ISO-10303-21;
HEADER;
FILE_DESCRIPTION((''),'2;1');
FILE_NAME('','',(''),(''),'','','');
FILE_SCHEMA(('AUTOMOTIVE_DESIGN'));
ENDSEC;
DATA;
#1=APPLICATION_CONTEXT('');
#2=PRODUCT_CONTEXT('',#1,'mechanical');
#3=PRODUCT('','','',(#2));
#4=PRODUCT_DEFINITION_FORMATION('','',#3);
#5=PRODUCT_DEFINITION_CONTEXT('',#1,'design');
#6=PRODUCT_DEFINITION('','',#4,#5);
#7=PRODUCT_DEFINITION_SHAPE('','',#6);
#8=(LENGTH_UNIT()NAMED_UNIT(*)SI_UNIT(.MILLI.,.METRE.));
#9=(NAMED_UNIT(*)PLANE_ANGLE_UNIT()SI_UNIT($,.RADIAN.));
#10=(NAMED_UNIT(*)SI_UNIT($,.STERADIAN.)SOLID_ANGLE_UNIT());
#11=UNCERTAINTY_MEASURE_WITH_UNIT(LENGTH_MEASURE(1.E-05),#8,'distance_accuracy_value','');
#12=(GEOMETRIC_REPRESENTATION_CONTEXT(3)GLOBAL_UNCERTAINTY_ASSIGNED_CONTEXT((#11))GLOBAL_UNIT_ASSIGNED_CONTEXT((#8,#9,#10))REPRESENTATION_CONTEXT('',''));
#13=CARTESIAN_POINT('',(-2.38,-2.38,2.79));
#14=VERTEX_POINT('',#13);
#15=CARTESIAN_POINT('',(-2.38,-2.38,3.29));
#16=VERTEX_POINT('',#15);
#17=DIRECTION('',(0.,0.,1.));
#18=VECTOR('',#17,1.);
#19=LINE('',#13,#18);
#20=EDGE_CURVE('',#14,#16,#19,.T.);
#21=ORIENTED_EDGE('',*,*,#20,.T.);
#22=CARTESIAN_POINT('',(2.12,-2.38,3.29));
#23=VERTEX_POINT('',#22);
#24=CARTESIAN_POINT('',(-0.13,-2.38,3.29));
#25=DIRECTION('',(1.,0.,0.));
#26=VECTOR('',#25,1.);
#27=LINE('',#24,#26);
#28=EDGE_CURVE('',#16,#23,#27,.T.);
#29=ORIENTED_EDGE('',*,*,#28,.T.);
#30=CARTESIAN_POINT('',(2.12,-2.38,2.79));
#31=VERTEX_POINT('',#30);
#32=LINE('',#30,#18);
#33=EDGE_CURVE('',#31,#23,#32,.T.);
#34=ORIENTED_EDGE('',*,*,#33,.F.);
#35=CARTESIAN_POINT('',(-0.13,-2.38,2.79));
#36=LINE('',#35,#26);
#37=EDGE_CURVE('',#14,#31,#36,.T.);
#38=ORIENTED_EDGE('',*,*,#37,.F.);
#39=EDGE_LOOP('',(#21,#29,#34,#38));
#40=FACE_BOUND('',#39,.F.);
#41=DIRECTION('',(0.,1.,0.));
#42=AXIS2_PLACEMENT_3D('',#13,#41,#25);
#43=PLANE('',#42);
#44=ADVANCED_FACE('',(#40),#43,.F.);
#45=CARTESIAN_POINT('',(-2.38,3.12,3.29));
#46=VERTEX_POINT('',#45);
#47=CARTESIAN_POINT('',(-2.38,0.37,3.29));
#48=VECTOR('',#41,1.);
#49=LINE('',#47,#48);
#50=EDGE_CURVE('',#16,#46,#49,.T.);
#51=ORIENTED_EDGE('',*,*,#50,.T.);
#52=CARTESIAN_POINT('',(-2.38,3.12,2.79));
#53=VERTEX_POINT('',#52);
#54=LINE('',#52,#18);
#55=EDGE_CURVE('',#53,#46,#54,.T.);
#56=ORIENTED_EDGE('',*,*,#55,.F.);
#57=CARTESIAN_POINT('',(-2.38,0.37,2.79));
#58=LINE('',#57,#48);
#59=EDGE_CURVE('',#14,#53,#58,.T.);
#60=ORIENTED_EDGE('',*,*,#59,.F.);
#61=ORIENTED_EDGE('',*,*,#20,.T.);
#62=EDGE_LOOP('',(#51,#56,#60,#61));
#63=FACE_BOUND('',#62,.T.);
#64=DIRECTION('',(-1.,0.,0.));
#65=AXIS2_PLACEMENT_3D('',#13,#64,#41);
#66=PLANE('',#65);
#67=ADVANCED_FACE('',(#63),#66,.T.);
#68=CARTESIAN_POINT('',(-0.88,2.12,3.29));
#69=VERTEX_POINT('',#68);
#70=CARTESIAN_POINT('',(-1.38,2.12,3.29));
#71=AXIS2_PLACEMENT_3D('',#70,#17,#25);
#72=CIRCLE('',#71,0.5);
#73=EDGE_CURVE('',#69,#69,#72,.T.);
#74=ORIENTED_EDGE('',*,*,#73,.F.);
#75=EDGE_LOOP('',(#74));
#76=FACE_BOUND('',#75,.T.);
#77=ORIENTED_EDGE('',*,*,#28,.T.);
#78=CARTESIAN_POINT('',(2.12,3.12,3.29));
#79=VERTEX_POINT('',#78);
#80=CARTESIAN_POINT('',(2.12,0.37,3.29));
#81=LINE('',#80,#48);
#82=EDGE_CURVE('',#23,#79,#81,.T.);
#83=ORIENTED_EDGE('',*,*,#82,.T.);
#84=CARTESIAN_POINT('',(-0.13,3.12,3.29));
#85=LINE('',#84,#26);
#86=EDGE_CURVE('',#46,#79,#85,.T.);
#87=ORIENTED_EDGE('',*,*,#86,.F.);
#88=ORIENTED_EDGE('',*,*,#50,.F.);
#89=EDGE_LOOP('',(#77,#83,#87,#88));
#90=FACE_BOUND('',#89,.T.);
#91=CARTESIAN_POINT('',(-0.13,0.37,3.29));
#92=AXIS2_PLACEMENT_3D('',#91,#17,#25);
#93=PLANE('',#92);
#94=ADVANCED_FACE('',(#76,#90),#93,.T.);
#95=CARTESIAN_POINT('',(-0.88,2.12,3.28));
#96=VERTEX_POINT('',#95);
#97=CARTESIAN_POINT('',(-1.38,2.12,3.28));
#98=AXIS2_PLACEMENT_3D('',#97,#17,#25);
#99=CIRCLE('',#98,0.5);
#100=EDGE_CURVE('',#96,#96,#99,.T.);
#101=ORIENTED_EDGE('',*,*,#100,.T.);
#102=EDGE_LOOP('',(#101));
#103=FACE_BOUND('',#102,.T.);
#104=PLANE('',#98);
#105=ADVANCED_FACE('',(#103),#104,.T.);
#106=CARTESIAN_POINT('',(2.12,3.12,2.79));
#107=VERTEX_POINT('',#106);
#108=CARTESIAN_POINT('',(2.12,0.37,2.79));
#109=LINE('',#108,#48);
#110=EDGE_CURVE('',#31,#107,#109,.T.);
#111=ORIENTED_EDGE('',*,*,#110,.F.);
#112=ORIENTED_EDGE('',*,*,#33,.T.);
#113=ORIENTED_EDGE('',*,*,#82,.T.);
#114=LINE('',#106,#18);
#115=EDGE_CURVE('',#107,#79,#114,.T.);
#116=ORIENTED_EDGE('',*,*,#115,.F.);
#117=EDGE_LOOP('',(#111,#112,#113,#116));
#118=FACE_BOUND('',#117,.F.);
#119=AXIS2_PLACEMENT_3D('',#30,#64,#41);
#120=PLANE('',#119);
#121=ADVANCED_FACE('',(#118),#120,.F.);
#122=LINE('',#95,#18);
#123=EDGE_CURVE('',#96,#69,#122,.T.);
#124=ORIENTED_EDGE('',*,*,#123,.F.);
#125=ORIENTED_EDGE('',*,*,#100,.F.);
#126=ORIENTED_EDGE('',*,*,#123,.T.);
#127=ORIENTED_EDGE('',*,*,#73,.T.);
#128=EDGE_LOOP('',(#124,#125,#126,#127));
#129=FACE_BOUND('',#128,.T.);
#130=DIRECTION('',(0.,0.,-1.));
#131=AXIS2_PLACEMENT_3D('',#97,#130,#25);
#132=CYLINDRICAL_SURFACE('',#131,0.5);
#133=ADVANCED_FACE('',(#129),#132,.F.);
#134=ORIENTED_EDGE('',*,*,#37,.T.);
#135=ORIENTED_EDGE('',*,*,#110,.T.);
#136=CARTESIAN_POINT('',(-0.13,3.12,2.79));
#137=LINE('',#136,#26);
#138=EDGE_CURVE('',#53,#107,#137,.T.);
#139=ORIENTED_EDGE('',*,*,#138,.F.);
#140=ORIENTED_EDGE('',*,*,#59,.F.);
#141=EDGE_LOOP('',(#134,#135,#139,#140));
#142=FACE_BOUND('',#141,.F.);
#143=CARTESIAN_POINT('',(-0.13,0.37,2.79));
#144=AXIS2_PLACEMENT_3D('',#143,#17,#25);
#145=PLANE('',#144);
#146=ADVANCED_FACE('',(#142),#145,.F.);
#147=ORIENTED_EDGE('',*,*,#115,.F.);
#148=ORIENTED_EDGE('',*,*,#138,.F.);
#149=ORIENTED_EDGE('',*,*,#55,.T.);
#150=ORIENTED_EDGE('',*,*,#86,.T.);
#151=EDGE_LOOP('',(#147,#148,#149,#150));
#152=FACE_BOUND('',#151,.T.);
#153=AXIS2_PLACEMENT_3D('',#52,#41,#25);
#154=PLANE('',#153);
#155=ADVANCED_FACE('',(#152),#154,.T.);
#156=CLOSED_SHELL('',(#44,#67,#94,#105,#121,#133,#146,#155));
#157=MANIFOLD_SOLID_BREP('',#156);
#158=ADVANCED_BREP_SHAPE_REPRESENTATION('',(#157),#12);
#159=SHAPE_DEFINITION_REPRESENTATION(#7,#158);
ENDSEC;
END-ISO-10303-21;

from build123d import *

# Parameters (mm, degrees)
CYLINDER020_R     = 0.5
CYLINDER020_DEPTH = 0.01
BOX059_W          = 4.5
BOX059_H          = 5.5
BOX059_DEPTH      = 0.5


with BuildPart() as cylinder020:
    # Cylinder020 → Cylinder020 (new body)
    with BuildSketch(Plane(origin=(1, 4.5, 0.49), x_dir=(1, 0, 0), z_dir=(0, 0, 1))):
        Circle(CYLINDER020_R)
    extrude(amount=CYLINDER020_DEPTH)


with BuildPart() as small_linbo3_plate017:
    # Box059 → Box059 (new body)
    with BuildSketch(Plane.XY):
        with Locations((2.25, 2.75)):
            Rectangle(BOX059_W, BOX059_H)
    extrude(amount=BOX059_DEPTH)

    # Cut010: cut Cylinder020
    add(cylinder020.part, mode=Mode.SUBTRACT)


with BuildPart() as small_linbo3_plate017_1:
    # Cut010 placement: moved
    add(small_linbo3_plate017.part.moved(Location((-2.38, -2.38, 2.79))))


solid = small_linbo3_plate017_1.part
